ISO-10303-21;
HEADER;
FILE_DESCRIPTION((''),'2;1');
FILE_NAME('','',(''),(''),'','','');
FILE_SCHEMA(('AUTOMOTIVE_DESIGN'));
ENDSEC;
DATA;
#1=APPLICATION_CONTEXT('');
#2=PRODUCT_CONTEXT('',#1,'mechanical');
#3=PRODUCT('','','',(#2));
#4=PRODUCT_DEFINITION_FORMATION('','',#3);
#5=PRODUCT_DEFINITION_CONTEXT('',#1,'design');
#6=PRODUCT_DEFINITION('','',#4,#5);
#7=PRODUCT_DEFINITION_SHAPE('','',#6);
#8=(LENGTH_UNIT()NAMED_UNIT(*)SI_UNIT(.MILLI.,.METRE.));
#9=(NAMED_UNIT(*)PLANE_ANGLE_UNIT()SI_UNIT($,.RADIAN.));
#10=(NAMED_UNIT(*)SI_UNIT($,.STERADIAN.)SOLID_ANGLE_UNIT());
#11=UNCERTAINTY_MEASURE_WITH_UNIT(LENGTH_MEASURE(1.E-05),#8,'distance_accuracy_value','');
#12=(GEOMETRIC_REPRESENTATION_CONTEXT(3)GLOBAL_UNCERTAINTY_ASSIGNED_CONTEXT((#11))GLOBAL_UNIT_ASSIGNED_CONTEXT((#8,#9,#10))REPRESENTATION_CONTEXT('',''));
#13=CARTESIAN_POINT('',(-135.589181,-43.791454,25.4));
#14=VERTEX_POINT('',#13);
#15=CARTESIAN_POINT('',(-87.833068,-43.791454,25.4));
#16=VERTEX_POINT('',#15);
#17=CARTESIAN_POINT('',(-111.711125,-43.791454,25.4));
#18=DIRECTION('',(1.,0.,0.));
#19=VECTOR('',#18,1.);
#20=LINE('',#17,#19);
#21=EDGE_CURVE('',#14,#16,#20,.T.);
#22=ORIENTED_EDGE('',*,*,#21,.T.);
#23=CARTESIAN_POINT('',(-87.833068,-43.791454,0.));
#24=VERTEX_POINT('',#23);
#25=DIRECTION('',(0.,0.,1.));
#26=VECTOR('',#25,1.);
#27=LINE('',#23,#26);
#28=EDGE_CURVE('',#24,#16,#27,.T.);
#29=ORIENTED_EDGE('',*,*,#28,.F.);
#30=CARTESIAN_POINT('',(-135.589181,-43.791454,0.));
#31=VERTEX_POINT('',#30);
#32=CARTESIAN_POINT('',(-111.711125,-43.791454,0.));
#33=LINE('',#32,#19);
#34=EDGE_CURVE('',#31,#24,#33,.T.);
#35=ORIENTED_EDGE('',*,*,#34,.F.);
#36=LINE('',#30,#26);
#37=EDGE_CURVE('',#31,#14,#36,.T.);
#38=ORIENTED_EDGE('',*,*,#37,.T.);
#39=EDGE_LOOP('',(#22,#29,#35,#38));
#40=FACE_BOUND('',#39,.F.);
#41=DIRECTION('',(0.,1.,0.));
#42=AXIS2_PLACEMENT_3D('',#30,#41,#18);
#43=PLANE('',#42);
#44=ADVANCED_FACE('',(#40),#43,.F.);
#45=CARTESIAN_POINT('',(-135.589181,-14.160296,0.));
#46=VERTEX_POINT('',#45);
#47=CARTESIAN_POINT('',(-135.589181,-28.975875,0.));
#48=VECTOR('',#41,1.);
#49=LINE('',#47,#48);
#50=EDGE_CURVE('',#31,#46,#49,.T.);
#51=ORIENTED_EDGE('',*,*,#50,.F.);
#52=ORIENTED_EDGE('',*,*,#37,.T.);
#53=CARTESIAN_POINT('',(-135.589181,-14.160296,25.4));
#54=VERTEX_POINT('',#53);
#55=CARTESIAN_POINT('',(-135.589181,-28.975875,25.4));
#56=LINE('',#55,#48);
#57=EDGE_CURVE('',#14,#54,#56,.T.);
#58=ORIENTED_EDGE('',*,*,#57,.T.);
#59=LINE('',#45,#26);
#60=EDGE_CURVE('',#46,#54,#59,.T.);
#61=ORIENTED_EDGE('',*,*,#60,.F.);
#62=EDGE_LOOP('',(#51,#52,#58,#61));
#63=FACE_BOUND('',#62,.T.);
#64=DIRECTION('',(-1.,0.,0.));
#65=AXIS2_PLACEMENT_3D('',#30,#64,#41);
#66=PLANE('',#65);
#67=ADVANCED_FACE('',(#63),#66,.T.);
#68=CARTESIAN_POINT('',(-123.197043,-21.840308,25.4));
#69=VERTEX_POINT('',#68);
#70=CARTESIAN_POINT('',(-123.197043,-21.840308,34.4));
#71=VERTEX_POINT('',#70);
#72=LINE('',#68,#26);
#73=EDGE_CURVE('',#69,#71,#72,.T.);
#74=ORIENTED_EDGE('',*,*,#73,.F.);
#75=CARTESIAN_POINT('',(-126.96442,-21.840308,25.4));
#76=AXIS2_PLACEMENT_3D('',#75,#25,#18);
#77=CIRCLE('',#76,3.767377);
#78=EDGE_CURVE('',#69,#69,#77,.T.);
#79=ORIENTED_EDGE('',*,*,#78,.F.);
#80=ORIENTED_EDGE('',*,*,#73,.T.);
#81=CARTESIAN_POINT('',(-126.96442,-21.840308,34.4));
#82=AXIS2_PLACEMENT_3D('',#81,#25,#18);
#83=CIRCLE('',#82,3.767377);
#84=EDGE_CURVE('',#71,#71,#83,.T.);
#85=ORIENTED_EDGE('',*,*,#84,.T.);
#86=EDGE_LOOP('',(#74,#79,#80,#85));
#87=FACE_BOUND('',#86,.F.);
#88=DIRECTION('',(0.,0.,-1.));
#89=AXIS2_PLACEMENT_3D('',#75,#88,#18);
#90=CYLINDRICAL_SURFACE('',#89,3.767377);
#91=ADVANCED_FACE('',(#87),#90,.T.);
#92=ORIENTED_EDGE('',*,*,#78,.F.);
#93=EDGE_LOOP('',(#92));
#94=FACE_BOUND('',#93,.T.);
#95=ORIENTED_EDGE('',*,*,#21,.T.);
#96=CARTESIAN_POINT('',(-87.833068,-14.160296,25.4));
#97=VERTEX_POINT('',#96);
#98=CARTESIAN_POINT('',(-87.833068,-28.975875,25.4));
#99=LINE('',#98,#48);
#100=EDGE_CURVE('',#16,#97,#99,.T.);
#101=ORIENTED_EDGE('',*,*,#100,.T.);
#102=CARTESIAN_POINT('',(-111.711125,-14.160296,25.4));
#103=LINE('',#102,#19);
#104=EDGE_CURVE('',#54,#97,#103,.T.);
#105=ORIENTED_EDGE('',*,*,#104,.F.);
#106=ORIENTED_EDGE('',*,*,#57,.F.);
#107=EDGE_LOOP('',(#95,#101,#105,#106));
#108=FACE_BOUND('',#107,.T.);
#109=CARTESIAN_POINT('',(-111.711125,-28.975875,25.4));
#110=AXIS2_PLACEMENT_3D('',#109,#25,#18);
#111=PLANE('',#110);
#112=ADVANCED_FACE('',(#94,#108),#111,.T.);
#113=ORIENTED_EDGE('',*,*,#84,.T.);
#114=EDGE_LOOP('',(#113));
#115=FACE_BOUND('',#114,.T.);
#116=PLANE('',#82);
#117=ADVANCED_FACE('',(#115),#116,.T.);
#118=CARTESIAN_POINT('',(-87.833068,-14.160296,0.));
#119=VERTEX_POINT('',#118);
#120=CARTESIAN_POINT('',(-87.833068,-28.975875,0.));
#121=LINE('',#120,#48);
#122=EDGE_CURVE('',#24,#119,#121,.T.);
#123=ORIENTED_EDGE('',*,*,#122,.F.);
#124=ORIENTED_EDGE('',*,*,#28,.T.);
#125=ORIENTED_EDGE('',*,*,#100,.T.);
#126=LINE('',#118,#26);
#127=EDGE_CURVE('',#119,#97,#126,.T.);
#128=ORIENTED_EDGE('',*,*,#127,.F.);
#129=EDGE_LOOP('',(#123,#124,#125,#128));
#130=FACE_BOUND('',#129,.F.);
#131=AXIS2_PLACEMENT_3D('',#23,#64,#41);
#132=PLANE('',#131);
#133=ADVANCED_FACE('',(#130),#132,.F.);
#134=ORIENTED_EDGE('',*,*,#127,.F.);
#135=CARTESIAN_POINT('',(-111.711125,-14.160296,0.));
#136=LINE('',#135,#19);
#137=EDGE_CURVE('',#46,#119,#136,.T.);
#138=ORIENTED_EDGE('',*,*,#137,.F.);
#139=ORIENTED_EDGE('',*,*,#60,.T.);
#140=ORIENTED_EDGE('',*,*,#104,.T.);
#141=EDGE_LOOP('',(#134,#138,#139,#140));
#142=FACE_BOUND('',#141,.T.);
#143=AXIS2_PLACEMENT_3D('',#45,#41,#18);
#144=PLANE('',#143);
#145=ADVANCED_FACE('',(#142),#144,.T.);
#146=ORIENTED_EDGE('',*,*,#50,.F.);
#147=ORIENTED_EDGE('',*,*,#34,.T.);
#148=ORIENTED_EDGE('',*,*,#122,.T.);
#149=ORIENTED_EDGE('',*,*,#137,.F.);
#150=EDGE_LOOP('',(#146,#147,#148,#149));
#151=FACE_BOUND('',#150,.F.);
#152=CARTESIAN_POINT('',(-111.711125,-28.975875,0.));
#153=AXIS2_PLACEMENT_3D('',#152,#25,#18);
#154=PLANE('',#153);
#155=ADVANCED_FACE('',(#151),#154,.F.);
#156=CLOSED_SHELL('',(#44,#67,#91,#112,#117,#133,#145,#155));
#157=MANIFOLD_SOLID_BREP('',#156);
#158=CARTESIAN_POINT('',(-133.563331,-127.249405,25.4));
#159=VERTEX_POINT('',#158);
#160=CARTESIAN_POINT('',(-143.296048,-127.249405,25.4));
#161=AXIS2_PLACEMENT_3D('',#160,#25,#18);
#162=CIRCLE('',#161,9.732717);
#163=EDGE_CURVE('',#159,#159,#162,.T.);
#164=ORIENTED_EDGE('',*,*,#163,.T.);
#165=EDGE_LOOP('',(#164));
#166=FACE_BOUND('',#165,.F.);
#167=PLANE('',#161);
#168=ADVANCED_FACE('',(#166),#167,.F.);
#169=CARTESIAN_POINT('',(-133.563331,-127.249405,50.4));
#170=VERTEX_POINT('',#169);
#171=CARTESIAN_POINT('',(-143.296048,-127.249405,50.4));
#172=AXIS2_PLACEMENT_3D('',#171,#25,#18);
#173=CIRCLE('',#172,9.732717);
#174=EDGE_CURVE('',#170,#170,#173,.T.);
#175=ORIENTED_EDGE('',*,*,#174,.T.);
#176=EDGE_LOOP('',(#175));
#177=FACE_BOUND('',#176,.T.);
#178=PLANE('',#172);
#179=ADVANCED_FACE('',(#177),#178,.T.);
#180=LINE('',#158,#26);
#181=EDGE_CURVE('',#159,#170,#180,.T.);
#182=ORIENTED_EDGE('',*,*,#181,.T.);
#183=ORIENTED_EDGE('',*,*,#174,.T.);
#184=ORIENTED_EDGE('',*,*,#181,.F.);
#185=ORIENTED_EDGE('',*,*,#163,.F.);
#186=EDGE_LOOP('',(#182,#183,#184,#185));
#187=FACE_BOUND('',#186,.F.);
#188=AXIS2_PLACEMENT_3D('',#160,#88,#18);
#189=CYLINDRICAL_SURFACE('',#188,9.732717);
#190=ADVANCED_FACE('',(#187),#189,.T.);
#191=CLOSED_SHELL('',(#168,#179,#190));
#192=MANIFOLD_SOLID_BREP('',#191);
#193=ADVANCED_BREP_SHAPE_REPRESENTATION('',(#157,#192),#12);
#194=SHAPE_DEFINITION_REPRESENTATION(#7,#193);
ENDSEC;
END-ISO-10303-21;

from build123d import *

# Parameters (mm, degrees)
F0_W     = 47.756113
F0_H     = 29.631158
F1_DEPTH = 25.4
F2_R     = 9.732717
F3_DEPTH = 25
F5_R     = 3.767377
F6_DEPTH = 9


with BuildPart() as f1:
    # F0 (on Top) → F1 (new body)
    with BuildSketch(Plane.XY):
        with Locations((-111.711125, -28.975875)):
            Rectangle(F0_W, F0_H)
    extrude(amount=F1_DEPTH)

    # F5 (on face) → F6 (join)
    with BuildSketch(Plane.XY.offset(25.4)):
        with Locations((-126.96442, -21.840308)):
            Circle(F5_R)
    extrude(amount=F6_DEPTH)


with BuildPart() as f3:
    # F2 (on face) → F3 (new body)
    with BuildSketch(Plane.XY.offset(25.4)):
        with Locations((-143.296048, -127.249405)):
            Circle(F2_R)
    extrude(amount=F3_DEPTH)


solid = Compound([f1.part, f3.part])
